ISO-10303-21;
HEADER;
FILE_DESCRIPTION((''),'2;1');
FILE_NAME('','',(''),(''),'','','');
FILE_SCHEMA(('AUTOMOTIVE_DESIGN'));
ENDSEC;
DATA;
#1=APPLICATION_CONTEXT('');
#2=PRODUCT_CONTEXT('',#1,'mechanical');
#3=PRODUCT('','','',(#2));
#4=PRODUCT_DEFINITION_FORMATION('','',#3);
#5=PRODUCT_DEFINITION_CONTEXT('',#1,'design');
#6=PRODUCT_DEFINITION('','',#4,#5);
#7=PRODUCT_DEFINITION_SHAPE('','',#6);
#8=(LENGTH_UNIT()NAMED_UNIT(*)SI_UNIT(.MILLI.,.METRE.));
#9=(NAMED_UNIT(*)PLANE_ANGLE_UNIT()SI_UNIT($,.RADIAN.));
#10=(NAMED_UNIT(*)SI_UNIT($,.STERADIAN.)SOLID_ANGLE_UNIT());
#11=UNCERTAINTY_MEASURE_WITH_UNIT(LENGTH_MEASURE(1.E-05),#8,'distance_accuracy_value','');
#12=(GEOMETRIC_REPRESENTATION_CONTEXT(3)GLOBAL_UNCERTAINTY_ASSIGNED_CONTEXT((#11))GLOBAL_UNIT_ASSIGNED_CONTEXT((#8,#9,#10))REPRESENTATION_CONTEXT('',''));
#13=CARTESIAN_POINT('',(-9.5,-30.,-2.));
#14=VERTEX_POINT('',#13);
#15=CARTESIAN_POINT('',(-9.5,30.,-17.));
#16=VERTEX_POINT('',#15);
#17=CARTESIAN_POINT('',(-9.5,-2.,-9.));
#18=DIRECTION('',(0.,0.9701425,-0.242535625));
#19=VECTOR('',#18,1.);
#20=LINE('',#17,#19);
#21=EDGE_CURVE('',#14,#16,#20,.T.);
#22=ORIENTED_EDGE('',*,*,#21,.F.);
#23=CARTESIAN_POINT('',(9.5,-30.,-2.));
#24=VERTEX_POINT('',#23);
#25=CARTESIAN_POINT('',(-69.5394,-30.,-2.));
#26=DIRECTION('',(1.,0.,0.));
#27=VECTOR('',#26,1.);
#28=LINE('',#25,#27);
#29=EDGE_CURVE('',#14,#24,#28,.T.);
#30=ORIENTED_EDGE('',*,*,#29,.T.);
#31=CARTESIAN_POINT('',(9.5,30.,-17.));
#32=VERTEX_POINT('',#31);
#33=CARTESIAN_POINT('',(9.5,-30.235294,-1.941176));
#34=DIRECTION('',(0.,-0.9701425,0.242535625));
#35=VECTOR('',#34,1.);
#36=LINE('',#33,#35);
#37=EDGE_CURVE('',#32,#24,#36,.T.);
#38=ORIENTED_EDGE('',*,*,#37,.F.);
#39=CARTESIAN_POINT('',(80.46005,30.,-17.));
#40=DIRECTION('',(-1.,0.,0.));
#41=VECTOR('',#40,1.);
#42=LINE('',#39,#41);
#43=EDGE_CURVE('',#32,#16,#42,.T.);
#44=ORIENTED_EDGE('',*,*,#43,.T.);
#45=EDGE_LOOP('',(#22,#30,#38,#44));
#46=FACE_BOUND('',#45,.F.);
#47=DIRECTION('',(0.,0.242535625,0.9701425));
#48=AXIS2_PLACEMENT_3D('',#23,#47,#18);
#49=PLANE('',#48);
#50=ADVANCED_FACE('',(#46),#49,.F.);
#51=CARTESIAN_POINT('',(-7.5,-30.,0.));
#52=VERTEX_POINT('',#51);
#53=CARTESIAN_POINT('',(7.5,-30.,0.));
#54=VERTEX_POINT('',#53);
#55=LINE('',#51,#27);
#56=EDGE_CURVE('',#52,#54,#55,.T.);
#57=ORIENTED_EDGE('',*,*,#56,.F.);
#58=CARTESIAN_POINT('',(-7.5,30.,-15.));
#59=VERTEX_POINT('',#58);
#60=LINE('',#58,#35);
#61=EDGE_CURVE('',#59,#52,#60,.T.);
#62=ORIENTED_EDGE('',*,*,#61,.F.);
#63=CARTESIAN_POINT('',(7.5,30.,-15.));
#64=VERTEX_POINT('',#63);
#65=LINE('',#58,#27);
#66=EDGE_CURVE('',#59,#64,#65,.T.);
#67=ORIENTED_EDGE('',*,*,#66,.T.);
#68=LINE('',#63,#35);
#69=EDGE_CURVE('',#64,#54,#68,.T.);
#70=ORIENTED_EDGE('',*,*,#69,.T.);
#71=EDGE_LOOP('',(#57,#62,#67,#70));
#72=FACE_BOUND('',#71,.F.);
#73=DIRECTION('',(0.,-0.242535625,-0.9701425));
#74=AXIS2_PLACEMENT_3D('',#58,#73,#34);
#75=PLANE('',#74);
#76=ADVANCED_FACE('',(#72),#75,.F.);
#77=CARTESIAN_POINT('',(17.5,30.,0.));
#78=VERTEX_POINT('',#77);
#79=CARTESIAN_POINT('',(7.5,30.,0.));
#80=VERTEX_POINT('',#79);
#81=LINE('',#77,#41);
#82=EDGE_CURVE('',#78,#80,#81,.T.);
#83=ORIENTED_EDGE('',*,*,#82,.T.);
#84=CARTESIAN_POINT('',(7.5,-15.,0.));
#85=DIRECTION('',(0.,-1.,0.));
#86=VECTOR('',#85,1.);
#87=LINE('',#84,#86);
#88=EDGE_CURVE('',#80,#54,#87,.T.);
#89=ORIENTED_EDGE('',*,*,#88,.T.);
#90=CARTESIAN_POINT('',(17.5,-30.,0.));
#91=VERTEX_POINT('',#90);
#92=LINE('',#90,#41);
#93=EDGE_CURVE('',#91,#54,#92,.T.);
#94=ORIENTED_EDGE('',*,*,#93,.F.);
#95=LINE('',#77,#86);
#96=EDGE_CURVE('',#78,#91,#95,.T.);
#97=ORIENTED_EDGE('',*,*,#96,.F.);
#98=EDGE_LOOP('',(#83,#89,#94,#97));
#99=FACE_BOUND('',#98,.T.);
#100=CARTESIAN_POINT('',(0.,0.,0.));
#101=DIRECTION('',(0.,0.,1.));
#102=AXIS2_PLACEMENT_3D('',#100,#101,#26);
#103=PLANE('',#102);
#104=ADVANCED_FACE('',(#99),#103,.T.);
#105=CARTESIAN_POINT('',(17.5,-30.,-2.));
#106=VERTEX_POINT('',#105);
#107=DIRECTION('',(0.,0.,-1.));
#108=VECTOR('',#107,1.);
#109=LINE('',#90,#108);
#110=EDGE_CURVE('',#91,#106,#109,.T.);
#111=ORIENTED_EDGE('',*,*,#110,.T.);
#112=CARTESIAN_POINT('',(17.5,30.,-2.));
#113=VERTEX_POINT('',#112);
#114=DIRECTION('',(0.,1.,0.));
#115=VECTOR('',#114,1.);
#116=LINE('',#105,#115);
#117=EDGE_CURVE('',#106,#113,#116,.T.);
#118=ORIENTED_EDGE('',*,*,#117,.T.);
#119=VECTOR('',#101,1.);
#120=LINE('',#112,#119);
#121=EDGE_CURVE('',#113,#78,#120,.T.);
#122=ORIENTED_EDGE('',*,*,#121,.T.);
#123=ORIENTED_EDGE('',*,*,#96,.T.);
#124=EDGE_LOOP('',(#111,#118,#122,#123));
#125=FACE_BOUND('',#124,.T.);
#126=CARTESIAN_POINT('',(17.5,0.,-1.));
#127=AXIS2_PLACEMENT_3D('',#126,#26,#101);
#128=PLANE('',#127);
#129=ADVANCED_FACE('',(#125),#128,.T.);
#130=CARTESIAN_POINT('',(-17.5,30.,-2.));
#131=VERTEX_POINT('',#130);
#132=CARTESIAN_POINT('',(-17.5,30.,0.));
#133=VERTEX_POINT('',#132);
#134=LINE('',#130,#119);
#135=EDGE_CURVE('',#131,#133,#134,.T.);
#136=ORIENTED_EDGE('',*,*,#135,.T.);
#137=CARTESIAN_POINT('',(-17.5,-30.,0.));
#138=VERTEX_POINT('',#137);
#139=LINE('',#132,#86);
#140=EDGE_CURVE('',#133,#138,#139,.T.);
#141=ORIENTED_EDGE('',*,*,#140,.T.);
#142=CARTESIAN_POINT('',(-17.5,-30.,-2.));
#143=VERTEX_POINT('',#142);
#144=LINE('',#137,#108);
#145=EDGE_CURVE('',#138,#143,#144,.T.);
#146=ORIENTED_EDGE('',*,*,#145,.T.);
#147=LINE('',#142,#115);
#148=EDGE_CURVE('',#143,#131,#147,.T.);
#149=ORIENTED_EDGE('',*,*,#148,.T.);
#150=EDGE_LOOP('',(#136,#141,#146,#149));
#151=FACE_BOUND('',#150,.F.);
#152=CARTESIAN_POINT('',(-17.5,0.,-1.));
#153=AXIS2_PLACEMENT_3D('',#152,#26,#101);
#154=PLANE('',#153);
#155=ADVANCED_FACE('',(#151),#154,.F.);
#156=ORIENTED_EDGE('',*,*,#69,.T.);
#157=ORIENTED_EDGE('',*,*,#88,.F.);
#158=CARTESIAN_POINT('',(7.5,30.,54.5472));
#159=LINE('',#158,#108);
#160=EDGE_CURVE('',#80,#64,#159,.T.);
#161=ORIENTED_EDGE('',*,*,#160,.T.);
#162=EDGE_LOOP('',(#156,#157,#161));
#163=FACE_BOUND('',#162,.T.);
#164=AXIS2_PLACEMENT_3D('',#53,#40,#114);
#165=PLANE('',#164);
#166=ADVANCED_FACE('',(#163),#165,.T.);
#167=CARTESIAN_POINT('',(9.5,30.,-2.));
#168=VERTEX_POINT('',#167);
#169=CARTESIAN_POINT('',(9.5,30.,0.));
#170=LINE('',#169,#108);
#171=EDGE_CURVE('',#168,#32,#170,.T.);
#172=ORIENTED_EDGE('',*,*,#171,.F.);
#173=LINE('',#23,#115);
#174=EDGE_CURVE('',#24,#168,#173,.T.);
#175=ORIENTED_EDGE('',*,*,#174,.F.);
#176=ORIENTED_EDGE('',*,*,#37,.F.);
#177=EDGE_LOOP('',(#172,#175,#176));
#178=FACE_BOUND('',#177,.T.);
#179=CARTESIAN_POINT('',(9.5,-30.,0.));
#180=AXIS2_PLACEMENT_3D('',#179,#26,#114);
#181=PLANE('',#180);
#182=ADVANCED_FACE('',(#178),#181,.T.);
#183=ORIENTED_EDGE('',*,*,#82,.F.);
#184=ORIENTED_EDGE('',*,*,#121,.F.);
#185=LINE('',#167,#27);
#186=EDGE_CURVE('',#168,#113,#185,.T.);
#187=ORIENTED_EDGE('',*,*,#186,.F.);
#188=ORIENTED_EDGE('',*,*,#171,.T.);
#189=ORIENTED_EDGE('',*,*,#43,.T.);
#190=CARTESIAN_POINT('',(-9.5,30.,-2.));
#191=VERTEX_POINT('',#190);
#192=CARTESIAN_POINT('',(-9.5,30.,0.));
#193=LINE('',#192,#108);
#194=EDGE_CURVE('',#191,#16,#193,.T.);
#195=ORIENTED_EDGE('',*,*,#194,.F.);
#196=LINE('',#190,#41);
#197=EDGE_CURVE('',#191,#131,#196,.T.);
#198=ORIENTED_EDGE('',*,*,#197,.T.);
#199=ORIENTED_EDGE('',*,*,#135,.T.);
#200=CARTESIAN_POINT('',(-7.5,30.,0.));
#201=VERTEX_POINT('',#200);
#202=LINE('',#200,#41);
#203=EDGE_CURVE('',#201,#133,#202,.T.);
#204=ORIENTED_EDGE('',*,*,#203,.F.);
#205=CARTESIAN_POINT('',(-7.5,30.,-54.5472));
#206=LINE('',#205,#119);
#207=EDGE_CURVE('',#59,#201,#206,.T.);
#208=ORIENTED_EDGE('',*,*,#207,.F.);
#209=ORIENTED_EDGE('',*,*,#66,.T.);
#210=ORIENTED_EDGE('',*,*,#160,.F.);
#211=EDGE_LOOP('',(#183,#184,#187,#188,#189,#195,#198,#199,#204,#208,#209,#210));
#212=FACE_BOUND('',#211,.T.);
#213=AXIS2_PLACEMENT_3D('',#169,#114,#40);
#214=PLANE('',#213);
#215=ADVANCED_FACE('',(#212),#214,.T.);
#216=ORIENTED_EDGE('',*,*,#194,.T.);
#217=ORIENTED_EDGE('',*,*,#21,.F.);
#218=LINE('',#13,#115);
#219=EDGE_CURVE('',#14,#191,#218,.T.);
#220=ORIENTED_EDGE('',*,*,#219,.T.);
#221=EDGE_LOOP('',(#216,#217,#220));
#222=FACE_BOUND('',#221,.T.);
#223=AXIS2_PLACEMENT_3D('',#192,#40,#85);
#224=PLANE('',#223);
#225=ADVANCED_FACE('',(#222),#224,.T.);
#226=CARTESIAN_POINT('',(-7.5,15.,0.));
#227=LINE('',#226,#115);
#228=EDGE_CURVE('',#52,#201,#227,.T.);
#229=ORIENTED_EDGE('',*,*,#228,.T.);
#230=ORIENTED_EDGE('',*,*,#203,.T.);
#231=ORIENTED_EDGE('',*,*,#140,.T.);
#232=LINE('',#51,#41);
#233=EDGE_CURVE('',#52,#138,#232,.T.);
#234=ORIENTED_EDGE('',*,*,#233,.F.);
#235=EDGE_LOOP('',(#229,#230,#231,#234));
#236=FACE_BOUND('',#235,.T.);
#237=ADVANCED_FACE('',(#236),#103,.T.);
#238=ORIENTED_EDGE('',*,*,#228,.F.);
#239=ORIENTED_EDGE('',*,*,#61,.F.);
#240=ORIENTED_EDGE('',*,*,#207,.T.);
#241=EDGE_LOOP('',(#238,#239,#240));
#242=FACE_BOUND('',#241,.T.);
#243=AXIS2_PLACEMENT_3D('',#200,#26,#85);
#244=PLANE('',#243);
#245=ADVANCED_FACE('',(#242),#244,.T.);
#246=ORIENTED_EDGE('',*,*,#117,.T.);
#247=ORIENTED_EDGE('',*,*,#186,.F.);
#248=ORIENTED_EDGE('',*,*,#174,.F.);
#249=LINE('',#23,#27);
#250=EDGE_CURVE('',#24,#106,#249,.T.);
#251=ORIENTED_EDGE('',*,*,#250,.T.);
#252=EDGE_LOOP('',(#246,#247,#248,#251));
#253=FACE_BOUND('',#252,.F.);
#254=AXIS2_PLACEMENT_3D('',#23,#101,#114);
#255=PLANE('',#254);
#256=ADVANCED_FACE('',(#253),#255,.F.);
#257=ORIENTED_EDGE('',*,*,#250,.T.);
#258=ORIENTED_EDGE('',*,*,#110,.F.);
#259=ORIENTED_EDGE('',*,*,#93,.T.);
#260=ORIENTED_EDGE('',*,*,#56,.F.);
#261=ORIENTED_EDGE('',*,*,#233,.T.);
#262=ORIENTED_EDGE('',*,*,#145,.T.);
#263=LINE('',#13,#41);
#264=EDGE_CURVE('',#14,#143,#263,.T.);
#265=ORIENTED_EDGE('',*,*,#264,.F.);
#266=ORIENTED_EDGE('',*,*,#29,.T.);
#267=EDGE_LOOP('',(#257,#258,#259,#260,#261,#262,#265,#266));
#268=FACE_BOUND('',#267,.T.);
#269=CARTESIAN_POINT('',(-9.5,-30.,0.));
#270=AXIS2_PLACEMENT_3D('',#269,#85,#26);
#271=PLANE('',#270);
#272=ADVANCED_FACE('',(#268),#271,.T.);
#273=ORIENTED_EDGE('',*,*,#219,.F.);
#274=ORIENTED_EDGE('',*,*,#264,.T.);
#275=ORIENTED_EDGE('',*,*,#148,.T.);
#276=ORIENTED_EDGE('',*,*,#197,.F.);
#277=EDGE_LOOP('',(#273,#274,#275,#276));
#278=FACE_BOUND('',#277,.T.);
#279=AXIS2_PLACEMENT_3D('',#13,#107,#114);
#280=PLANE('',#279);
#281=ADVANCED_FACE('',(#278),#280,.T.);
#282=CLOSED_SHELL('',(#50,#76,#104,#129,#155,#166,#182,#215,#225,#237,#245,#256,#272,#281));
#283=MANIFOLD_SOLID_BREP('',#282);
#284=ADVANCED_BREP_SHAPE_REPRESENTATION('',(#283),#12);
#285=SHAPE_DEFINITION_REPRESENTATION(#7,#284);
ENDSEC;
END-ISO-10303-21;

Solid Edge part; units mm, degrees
sketch "Sketch1" plane through (0, 0, 0) normal (0, 0, 1) x (1, 0, 0)
  line L0 (-9.5, -30) -> (9.5, -30)
  line L1 (9.5, -30) -> (9.5, 30)
  line L2 (9.5, 30) -> (-9.5, 30)
  line L3 (-9.5, 30) -> (-9.5, -30)
extrude "Protrusion1" add sketch "Sketch1" against normal blind 25
sketch "Sketch2" plane through (0, 0, 0) normal (0, 0, 1) x (-1, 0, 0)
  line L0 (-7.5, -30) -> (7.5, -30)
  line L1 (7.5, -30) -> (7.5, 30)
  line L2 (7.5, 30) -> (-7.5, 30)
  line L3 (-7.5, 30) -> (-7.5, -30)
extrude "ExtrudedCutout_1" cut sketch "Sketch2" along normal mid plane 109.0944
sketch "Sketch3" plane through (9.5, 0, -12.5) normal (1, 0, 0) x (0, 1, 0)
  line L0 (-30, 10.5) -> (30, 10.5)
  line L1 (30, 10.5) -> (30, 12.5)
  line L2 (30, 12.5) -> (-30, 12.5)
  line L3 (-30, 12.5) -> (-30, 10.5)
extrude "ExtrudedProtrusion_2" add sketch "Sketch3" along normal blind 8
sketch "Sketch4" plane through (-9.5, 0, -12.5) normal (-1, 0, 0) x (0, -1, 0)
  line L0 (-30, 12.5) -> (30, 12.5)
  line L1 (30, 12.5) -> (30, 10.5)
  line L2 (30, 10.5) -> (-30, 10.5)
  line L3 (-30, 10.5) -> (-30, 12.5)
extrude "ExtrudedProtrusion_3" add sketch "Sketch4" along normal blind 8
sketch "Sketch5" plane through (-7.5, 0, -12.5) normal (1, 0, 0) x (0, 1, 0)
  line L0 (30, -2.5) -> (-30, 12.5)
  line L1 (-30, 12.5) -> (-30, -12.5)
  line L2 (-30, -12.5) -> (30, -12.5)
  line L3 (30, -12.5) -> (30, -2.5)
extrude "Protrusion2" add sketch "Sketch5" along normal blind 15
sketch "Sketch6" plane through (9.5, 0, -13.5) normal (1, 0, 0) x (0, 1, 0)
  line L0 (30, -3.5) -> (-30, -3.5)
  line L1 (-30, -3.5) -> (-30, -11.5)
  line L2 (-30, -11.5) -> (30, -11.5)
  line L3 (30, -11.5) -> (30, -3.5)
extrude "ExtrudedCutout_2" cut sketch "Sketch6" along normal mid plane 141.9201
sketch "Sketch7" plane through (9.5, 0, -9.5) normal (1, 0, 0) x (0, 1, 0)
  line L0 (-30, 7.5) -> (30, -7.5)
  line L1 (30, -7.5) -> (-30, -7.5)
  line L2 (-30, -7.5) -> (-30, 7.5)
extrude "ExtrudedCutout_3" cut sketch "Sketch7" along normal mid plane 158.0788
